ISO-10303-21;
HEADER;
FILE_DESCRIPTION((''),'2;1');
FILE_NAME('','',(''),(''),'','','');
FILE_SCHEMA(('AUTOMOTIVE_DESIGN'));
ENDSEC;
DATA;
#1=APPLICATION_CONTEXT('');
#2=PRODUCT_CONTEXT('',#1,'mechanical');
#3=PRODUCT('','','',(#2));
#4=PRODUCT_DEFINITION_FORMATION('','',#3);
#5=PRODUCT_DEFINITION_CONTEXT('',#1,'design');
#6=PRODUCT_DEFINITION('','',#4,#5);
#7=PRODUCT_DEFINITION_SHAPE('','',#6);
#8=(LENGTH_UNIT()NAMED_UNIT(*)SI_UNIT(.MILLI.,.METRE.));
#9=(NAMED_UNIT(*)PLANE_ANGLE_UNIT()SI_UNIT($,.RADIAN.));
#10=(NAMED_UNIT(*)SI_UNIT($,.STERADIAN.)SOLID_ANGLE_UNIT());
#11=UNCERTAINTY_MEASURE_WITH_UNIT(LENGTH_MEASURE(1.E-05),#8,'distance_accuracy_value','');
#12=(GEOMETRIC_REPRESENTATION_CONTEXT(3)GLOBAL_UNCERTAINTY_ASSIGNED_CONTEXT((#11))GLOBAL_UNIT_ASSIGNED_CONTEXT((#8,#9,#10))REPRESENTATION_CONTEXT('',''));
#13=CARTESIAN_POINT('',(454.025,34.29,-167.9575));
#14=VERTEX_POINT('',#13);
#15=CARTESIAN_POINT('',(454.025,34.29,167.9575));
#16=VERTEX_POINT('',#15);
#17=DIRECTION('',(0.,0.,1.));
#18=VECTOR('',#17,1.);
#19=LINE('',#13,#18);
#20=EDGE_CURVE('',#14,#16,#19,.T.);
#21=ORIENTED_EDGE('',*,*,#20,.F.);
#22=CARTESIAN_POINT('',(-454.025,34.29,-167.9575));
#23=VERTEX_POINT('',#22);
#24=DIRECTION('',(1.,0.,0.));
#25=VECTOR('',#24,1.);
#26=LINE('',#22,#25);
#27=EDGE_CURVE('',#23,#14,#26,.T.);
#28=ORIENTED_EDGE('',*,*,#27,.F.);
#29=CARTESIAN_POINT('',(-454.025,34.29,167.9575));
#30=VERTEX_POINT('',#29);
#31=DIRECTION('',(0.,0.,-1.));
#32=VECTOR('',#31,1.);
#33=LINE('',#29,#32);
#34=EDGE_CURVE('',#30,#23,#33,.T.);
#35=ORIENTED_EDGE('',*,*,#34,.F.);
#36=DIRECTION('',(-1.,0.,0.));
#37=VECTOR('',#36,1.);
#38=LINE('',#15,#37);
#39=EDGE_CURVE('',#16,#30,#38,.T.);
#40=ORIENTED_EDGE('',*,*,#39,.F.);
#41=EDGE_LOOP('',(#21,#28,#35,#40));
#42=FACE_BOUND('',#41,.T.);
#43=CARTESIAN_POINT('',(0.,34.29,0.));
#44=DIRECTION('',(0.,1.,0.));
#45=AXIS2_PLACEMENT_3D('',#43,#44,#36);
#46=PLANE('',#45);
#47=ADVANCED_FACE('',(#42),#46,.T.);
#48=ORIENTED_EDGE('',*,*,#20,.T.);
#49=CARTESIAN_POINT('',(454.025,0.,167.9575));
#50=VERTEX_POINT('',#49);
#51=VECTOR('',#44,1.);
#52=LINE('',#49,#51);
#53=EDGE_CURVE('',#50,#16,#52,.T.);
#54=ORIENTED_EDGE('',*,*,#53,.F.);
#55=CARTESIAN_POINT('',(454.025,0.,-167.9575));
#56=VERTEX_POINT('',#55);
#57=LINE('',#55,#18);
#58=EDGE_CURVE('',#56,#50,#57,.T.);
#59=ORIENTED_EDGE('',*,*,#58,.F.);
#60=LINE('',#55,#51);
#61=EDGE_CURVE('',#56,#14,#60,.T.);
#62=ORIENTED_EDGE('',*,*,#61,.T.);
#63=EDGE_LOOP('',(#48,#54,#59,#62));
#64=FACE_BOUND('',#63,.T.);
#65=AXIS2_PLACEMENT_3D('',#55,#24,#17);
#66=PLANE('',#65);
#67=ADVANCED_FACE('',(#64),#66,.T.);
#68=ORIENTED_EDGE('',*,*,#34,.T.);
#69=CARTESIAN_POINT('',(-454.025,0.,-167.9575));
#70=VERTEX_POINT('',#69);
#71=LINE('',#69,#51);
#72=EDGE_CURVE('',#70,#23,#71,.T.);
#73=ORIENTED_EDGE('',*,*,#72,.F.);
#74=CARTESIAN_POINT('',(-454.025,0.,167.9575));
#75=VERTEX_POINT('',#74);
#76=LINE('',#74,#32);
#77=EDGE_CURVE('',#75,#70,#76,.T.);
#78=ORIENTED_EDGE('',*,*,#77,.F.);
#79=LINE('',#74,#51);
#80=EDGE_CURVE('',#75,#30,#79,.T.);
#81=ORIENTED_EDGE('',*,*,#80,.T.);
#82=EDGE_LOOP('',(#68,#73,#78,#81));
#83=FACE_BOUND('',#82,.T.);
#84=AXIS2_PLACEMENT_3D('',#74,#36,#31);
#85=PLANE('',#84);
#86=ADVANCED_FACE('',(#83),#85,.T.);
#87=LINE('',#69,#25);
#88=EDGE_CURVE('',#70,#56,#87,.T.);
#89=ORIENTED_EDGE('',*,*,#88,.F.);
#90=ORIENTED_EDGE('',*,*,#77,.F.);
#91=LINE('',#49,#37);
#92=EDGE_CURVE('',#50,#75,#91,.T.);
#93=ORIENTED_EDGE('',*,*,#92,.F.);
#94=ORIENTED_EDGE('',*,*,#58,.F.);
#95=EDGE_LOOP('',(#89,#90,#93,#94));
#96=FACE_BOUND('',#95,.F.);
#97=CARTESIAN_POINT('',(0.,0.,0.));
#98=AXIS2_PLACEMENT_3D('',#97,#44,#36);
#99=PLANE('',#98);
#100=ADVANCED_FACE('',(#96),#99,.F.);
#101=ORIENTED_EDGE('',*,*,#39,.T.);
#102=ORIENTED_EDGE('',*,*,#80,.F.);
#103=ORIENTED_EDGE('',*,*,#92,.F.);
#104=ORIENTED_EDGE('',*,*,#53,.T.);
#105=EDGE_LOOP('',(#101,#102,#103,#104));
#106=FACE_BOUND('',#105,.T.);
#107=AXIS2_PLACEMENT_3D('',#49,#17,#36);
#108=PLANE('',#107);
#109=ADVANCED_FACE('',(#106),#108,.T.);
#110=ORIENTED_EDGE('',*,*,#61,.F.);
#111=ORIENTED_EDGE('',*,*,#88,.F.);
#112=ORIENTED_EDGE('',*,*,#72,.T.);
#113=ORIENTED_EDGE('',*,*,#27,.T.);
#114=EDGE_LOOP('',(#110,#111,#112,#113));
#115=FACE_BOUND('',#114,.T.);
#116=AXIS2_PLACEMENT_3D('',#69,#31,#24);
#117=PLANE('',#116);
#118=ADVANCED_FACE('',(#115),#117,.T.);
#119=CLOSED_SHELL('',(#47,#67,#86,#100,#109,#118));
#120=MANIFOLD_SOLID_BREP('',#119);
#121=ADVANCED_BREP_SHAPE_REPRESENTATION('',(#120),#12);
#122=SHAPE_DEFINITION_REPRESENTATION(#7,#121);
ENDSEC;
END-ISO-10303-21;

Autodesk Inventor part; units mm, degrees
ref_plane "YZ Plane" through (0, 0, 0) normal (1, 0, 0) x (0, 1, 0)
ref_plane "XZ Plane" through (0, 0, 0) normal (0, 1, 0) x (-1, 0, 0)
ref_plane "XY Plane" through (0, 0, 0) normal (0, 0, 1) x (1, 0, 0)
sketch "Sketch1" plane through (0, 0, 0) normal (0, 1, 0) x (-1, 0, 0)
  line L0 (-454.025, 167.9575) -> (454.025, 167.9575)
  line L1 (454.025, 167.9575) -> (454.025, -167.9575)
  line L2 (454.025, -167.9575) -> (-454.025, -167.9575)
  line L3 (-454.025, -167.9575) -> (-454.025, 167.9575)
  line L4 (-454.025, 167.9575) -> (454.025, -167.9575) construction
  line L5 (454.025, 167.9575) -> (-454.025, -167.9575) construction
  point P0 (0, 0)
  dimension "d0" = 908.05
  dimension "d1" = 335.915
extrude "Extrusion1" add sketch "Sketch1" along normal blind 34.29
properties part number "Deck" material "Wood (Oak)"
